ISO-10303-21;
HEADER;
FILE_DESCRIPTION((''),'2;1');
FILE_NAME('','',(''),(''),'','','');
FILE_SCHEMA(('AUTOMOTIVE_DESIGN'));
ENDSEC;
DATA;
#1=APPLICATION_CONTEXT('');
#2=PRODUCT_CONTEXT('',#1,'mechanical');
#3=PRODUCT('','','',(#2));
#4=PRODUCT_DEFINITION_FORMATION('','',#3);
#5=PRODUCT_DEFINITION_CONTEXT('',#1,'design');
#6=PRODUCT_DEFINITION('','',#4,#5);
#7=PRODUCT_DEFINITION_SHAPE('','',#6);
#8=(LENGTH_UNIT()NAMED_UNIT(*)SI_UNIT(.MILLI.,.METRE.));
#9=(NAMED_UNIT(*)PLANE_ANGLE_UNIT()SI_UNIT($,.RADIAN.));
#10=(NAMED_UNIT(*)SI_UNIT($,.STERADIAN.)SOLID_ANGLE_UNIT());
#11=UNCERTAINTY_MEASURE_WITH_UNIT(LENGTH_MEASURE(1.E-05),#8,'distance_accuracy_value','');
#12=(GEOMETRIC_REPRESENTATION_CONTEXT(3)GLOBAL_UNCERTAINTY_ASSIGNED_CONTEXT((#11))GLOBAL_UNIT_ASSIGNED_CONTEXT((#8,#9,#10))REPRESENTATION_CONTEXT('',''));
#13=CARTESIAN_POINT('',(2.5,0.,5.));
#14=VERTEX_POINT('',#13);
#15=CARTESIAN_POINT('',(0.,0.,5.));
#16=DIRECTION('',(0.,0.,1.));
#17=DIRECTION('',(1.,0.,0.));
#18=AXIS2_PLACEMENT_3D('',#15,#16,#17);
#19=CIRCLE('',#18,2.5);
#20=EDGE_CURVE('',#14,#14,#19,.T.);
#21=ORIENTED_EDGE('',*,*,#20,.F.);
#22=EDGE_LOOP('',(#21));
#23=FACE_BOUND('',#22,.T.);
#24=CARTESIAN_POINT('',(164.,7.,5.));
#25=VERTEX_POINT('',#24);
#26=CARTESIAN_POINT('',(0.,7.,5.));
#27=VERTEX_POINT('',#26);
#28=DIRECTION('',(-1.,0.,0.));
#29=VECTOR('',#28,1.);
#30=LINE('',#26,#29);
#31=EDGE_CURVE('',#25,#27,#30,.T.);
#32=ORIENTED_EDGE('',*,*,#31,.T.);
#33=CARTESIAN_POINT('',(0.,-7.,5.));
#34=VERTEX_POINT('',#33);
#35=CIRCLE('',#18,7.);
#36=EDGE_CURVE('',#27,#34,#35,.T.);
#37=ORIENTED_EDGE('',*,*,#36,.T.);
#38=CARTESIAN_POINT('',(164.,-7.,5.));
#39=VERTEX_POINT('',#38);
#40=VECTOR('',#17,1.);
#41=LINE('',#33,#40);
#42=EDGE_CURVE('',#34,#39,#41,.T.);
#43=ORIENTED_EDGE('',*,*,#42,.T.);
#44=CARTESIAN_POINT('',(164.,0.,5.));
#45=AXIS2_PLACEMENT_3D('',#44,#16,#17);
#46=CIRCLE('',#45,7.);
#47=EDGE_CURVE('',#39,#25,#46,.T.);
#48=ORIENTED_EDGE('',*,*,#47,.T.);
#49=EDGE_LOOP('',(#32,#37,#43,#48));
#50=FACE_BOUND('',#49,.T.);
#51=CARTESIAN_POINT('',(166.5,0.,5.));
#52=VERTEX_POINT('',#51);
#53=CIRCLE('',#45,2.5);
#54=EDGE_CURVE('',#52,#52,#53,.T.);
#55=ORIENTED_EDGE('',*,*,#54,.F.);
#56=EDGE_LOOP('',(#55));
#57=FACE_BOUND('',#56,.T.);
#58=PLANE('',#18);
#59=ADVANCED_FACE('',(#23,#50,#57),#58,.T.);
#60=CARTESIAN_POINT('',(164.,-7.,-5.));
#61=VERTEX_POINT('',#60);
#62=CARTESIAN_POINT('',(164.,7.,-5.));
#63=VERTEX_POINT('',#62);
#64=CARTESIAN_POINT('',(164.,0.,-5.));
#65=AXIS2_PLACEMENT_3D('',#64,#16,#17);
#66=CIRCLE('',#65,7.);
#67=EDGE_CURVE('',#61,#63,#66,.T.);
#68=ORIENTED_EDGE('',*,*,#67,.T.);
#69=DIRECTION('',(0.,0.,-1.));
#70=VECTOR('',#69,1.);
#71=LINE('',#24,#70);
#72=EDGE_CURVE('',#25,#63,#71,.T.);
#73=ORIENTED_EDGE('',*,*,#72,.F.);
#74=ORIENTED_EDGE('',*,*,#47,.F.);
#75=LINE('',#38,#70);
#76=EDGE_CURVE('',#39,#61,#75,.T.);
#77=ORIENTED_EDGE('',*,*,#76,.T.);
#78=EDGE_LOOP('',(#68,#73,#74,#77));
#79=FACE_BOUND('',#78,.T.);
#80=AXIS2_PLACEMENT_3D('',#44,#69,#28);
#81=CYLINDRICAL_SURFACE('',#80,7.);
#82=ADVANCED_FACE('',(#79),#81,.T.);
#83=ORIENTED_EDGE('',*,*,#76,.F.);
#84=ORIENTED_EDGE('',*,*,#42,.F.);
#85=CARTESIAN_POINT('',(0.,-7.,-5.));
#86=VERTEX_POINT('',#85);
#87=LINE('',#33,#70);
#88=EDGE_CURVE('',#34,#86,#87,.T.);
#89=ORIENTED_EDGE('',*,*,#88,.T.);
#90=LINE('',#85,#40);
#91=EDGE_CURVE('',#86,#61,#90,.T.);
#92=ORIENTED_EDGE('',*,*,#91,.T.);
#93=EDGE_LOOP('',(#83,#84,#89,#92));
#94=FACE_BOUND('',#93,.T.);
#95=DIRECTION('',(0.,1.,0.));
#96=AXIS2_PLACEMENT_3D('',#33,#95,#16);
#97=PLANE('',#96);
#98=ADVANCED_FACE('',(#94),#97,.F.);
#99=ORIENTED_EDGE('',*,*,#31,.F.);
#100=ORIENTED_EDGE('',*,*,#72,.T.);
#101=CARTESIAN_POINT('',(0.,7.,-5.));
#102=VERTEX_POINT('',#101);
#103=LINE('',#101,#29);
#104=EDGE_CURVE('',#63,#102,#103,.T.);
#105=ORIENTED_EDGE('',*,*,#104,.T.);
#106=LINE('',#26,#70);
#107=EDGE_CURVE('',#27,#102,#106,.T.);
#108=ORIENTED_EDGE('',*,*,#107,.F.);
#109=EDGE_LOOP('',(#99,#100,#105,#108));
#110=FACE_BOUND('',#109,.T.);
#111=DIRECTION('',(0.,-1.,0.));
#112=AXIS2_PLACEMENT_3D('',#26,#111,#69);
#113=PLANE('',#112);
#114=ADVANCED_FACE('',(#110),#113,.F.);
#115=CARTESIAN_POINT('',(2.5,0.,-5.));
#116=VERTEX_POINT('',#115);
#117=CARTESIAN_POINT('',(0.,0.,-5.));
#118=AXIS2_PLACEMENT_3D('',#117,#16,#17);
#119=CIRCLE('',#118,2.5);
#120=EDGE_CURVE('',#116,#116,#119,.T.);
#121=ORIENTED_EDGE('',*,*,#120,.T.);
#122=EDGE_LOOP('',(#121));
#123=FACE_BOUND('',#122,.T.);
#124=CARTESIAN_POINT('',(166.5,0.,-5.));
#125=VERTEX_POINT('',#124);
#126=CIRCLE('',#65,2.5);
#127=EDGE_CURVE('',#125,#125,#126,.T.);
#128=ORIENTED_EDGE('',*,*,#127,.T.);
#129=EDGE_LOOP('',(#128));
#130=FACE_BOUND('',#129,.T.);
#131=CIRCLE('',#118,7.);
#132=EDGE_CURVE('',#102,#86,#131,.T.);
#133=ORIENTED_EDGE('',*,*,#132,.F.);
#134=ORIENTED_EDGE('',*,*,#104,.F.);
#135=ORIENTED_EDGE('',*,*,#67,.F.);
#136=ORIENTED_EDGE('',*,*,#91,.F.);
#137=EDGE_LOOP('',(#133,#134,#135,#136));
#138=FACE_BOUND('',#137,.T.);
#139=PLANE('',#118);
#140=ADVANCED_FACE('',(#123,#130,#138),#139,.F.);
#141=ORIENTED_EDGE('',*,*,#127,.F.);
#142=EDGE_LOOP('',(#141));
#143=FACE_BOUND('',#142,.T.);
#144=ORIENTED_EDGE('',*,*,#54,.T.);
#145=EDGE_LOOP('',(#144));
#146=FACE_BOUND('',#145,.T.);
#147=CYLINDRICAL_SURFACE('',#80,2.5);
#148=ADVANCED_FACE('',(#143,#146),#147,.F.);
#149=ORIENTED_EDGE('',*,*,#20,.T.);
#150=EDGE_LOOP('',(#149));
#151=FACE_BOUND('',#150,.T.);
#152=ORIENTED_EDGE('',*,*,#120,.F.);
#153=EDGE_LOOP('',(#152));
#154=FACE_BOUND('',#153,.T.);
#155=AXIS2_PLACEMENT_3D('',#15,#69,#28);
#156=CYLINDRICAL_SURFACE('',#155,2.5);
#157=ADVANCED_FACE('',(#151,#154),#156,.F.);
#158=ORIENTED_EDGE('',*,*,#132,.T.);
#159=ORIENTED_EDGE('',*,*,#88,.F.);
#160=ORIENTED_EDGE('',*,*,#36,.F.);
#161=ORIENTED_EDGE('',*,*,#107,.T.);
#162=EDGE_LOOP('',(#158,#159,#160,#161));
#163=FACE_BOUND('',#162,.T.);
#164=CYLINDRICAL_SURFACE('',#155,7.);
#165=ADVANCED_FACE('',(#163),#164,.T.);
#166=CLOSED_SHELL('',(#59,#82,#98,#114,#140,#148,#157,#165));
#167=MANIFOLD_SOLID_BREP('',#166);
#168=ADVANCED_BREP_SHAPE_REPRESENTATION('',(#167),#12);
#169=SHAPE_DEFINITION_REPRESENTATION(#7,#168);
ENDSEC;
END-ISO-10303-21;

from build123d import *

# Parameters (mm, degrees)
SKETCH1_R           = 2.5
BOSS_EXTRUDE1_DEPTH = 5


with BuildPart() as part:
    # Sketch1 → Boss-Extrude1 (new body, symmetric)
    with BuildSketch(Plane.XY):
        with BuildLine():
            Line((0, 7), (164, 7))
            ThreePointArc((164, 7), (171, 0), (164, -7))
            Line((164, -7), (0, -7))
            ThreePointArc((0, -7), (-7, 0), (0, 7))
        make_face()
        Circle(SKETCH1_R, mode=Mode.SUBTRACT)
        with Locations((164, 0)):
            Circle(SKETCH1_R, mode=Mode.SUBTRACT)
    extrude(amount=BOSS_EXTRUDE1_DEPTH, both=True)


solid = part.part
